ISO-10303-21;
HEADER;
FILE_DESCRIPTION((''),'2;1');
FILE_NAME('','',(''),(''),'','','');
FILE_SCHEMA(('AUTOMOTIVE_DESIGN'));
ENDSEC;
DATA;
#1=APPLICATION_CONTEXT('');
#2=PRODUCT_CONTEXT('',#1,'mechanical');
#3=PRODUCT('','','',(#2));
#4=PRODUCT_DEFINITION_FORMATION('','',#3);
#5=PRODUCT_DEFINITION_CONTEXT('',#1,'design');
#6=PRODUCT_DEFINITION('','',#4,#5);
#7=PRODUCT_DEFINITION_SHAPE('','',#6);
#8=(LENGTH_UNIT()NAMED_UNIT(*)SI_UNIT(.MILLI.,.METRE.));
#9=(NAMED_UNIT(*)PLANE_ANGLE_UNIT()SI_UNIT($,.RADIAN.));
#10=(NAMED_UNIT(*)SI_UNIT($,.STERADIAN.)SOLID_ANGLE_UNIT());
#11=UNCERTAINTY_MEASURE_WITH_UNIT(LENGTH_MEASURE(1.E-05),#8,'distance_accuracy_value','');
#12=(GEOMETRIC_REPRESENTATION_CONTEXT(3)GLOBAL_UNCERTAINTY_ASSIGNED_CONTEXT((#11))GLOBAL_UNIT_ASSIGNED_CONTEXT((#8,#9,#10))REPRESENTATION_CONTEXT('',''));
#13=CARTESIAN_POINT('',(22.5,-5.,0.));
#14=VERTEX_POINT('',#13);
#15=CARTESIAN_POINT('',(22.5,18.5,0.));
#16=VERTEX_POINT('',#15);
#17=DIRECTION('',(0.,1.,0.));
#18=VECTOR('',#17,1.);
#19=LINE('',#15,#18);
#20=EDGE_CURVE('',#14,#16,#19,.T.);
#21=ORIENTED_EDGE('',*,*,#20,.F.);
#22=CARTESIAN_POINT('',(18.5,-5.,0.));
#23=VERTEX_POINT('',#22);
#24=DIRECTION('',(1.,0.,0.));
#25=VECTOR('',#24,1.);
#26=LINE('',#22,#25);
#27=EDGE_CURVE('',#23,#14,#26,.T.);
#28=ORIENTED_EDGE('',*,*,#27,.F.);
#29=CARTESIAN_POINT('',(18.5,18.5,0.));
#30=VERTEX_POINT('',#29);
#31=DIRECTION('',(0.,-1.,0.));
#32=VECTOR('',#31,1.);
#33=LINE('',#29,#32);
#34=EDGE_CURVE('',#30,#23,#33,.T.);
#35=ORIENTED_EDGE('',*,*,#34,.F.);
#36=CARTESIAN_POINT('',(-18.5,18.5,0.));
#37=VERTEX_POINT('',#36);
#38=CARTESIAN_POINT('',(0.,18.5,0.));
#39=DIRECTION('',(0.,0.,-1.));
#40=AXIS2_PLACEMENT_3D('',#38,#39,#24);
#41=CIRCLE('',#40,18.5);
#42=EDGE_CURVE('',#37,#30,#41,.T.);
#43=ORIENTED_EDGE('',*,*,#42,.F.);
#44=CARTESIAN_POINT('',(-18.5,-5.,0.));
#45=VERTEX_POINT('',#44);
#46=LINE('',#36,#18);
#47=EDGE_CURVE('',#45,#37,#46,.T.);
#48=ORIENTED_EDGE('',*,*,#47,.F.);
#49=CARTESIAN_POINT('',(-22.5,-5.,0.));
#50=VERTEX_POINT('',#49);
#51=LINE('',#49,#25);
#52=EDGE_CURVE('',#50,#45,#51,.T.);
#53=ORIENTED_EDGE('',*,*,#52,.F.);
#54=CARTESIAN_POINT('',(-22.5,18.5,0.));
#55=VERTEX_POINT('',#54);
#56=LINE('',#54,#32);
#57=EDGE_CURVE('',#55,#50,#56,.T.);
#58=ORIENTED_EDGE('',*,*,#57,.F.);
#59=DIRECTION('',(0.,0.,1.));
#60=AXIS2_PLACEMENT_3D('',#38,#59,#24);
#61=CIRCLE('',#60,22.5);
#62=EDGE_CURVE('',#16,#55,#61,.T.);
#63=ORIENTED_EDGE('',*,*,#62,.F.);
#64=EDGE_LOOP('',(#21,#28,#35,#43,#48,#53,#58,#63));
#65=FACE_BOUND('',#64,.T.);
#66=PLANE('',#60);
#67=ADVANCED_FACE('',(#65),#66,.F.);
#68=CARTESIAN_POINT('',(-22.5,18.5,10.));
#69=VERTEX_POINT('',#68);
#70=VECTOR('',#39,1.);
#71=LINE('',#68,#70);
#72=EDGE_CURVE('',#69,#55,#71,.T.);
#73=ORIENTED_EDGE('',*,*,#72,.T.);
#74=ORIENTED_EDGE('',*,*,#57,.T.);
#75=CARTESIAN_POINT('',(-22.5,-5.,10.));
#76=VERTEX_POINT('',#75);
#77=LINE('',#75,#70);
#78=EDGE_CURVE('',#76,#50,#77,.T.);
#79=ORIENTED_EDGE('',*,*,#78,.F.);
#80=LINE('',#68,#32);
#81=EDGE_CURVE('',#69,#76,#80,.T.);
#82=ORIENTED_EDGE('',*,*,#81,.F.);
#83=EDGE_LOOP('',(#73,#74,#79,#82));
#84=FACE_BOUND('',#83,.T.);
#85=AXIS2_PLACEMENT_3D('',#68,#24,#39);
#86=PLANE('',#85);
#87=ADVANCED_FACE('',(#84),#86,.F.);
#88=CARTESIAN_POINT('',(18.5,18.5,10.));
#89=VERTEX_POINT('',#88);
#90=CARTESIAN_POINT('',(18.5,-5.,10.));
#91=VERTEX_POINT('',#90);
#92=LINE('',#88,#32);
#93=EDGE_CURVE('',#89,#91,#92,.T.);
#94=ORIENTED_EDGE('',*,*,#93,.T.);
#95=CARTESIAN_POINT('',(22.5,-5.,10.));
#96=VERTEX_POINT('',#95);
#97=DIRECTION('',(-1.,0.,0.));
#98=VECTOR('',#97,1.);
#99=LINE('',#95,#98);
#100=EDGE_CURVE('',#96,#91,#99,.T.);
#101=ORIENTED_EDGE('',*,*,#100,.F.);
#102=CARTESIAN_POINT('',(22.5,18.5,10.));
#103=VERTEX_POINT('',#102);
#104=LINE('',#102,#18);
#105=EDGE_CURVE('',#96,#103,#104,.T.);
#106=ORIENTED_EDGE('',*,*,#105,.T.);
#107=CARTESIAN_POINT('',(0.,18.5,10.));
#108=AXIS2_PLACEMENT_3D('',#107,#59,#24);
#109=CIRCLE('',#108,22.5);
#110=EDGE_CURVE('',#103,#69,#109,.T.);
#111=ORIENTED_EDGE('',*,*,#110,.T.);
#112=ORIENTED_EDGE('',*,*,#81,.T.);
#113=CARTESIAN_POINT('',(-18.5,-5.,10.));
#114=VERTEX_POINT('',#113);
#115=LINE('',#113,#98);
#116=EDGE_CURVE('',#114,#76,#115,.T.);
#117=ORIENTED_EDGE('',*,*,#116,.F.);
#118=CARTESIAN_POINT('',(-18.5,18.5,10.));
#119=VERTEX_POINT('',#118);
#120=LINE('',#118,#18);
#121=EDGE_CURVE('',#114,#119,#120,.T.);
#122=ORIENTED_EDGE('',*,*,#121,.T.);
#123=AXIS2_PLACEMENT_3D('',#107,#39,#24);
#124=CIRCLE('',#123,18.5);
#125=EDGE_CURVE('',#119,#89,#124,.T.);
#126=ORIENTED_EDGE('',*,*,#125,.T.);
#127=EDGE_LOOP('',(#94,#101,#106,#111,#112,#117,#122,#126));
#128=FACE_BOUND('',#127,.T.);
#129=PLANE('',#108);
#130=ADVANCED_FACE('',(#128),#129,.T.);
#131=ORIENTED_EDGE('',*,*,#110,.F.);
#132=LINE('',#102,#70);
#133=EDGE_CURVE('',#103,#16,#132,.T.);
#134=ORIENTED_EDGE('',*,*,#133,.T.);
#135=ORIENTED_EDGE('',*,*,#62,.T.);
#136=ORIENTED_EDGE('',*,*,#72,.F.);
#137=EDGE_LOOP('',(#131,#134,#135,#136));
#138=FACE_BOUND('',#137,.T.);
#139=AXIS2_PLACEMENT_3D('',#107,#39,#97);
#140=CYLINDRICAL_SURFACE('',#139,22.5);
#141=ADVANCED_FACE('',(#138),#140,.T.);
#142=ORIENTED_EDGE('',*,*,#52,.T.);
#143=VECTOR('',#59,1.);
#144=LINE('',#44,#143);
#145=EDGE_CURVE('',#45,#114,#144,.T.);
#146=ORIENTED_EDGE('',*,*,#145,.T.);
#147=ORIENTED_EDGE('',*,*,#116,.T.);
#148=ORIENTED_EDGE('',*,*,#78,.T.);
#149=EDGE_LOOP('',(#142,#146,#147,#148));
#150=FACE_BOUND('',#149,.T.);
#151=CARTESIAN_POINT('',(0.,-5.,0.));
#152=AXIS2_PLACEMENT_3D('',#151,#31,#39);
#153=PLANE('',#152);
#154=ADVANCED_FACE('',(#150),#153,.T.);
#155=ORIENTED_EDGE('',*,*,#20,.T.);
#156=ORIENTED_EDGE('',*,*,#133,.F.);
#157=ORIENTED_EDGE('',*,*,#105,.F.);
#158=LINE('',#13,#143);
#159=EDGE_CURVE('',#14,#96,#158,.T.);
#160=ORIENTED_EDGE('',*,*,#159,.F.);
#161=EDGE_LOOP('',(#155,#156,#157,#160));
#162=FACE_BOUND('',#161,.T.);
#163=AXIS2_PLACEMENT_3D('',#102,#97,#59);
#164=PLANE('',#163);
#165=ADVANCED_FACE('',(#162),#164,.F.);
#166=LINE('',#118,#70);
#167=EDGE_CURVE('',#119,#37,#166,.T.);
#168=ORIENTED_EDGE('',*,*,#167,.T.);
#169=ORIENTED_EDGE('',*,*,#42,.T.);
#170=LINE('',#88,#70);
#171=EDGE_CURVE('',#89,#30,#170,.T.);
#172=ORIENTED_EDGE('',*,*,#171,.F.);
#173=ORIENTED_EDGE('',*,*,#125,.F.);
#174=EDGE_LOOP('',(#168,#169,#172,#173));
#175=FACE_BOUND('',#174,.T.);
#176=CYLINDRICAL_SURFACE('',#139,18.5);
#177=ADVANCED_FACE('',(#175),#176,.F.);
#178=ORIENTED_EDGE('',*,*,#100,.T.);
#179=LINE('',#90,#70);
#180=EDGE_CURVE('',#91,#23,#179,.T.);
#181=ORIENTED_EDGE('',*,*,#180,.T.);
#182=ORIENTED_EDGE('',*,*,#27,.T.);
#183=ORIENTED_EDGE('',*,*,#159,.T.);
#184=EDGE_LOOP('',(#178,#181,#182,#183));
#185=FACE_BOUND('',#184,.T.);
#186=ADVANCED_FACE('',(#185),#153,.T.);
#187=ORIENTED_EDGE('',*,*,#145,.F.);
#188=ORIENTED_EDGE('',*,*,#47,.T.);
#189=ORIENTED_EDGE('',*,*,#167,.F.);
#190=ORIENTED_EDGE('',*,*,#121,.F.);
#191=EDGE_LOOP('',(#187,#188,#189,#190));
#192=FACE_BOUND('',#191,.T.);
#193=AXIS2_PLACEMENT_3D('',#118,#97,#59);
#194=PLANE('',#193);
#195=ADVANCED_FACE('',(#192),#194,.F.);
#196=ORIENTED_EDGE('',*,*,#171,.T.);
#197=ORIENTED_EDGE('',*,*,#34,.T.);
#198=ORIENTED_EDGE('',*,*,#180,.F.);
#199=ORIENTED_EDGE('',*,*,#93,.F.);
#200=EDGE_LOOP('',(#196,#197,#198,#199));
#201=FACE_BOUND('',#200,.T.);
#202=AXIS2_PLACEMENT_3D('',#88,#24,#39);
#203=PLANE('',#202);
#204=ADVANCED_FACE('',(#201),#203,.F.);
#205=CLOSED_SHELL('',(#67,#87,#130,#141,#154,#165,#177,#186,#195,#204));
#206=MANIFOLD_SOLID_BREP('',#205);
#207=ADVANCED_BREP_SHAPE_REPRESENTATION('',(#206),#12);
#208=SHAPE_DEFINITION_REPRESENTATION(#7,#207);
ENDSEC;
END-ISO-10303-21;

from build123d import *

# Parameters (mm, degrees)
BOSS_EXTRUDE1_DEPTH = 10
SKETCH2_W           = 4
SKETCH2_H           = 10
BOSS_EXTRUDE2_DEPTH = 5


with BuildPart() as part:
    # Sketch1 → Boss-Extrude1 (new body)
    with BuildSketch(Plane.XY):
        with BuildLine():
            Line((18.5, 18.5), (18.5, 0))
            Line((18.5, 0), (22.5, 0))
            Line((22.5, 0), (22.5, 18.5))
            ThreePointArc((22.5, 18.5), (0, 41), (-22.5, 18.5))
            Line((-22.5, 18.5), (-22.5, 0))
            Line((-22.5, 0), (-18.5, 0))
            Line((-18.5, 0), (-18.5, 18.5))
            ThreePointArc((-18.5, 18.5), (0, 37), (18.5, 18.5))
        make_face()
    extrude(amount=BOSS_EXTRUDE1_DEPTH)

    # Sketch2 → Boss-Extrude2 (add)
    with BuildSketch(Plane.XZ):
        with Locations((20.5, 5)):
            Rectangle(SKETCH2_W, SKETCH2_H)
        with Locations((-20.5, 5)):
            Rectangle(SKETCH2_W, SKETCH2_H)
    extrude(amount=BOSS_EXTRUDE2_DEPTH)


solid = part.part
